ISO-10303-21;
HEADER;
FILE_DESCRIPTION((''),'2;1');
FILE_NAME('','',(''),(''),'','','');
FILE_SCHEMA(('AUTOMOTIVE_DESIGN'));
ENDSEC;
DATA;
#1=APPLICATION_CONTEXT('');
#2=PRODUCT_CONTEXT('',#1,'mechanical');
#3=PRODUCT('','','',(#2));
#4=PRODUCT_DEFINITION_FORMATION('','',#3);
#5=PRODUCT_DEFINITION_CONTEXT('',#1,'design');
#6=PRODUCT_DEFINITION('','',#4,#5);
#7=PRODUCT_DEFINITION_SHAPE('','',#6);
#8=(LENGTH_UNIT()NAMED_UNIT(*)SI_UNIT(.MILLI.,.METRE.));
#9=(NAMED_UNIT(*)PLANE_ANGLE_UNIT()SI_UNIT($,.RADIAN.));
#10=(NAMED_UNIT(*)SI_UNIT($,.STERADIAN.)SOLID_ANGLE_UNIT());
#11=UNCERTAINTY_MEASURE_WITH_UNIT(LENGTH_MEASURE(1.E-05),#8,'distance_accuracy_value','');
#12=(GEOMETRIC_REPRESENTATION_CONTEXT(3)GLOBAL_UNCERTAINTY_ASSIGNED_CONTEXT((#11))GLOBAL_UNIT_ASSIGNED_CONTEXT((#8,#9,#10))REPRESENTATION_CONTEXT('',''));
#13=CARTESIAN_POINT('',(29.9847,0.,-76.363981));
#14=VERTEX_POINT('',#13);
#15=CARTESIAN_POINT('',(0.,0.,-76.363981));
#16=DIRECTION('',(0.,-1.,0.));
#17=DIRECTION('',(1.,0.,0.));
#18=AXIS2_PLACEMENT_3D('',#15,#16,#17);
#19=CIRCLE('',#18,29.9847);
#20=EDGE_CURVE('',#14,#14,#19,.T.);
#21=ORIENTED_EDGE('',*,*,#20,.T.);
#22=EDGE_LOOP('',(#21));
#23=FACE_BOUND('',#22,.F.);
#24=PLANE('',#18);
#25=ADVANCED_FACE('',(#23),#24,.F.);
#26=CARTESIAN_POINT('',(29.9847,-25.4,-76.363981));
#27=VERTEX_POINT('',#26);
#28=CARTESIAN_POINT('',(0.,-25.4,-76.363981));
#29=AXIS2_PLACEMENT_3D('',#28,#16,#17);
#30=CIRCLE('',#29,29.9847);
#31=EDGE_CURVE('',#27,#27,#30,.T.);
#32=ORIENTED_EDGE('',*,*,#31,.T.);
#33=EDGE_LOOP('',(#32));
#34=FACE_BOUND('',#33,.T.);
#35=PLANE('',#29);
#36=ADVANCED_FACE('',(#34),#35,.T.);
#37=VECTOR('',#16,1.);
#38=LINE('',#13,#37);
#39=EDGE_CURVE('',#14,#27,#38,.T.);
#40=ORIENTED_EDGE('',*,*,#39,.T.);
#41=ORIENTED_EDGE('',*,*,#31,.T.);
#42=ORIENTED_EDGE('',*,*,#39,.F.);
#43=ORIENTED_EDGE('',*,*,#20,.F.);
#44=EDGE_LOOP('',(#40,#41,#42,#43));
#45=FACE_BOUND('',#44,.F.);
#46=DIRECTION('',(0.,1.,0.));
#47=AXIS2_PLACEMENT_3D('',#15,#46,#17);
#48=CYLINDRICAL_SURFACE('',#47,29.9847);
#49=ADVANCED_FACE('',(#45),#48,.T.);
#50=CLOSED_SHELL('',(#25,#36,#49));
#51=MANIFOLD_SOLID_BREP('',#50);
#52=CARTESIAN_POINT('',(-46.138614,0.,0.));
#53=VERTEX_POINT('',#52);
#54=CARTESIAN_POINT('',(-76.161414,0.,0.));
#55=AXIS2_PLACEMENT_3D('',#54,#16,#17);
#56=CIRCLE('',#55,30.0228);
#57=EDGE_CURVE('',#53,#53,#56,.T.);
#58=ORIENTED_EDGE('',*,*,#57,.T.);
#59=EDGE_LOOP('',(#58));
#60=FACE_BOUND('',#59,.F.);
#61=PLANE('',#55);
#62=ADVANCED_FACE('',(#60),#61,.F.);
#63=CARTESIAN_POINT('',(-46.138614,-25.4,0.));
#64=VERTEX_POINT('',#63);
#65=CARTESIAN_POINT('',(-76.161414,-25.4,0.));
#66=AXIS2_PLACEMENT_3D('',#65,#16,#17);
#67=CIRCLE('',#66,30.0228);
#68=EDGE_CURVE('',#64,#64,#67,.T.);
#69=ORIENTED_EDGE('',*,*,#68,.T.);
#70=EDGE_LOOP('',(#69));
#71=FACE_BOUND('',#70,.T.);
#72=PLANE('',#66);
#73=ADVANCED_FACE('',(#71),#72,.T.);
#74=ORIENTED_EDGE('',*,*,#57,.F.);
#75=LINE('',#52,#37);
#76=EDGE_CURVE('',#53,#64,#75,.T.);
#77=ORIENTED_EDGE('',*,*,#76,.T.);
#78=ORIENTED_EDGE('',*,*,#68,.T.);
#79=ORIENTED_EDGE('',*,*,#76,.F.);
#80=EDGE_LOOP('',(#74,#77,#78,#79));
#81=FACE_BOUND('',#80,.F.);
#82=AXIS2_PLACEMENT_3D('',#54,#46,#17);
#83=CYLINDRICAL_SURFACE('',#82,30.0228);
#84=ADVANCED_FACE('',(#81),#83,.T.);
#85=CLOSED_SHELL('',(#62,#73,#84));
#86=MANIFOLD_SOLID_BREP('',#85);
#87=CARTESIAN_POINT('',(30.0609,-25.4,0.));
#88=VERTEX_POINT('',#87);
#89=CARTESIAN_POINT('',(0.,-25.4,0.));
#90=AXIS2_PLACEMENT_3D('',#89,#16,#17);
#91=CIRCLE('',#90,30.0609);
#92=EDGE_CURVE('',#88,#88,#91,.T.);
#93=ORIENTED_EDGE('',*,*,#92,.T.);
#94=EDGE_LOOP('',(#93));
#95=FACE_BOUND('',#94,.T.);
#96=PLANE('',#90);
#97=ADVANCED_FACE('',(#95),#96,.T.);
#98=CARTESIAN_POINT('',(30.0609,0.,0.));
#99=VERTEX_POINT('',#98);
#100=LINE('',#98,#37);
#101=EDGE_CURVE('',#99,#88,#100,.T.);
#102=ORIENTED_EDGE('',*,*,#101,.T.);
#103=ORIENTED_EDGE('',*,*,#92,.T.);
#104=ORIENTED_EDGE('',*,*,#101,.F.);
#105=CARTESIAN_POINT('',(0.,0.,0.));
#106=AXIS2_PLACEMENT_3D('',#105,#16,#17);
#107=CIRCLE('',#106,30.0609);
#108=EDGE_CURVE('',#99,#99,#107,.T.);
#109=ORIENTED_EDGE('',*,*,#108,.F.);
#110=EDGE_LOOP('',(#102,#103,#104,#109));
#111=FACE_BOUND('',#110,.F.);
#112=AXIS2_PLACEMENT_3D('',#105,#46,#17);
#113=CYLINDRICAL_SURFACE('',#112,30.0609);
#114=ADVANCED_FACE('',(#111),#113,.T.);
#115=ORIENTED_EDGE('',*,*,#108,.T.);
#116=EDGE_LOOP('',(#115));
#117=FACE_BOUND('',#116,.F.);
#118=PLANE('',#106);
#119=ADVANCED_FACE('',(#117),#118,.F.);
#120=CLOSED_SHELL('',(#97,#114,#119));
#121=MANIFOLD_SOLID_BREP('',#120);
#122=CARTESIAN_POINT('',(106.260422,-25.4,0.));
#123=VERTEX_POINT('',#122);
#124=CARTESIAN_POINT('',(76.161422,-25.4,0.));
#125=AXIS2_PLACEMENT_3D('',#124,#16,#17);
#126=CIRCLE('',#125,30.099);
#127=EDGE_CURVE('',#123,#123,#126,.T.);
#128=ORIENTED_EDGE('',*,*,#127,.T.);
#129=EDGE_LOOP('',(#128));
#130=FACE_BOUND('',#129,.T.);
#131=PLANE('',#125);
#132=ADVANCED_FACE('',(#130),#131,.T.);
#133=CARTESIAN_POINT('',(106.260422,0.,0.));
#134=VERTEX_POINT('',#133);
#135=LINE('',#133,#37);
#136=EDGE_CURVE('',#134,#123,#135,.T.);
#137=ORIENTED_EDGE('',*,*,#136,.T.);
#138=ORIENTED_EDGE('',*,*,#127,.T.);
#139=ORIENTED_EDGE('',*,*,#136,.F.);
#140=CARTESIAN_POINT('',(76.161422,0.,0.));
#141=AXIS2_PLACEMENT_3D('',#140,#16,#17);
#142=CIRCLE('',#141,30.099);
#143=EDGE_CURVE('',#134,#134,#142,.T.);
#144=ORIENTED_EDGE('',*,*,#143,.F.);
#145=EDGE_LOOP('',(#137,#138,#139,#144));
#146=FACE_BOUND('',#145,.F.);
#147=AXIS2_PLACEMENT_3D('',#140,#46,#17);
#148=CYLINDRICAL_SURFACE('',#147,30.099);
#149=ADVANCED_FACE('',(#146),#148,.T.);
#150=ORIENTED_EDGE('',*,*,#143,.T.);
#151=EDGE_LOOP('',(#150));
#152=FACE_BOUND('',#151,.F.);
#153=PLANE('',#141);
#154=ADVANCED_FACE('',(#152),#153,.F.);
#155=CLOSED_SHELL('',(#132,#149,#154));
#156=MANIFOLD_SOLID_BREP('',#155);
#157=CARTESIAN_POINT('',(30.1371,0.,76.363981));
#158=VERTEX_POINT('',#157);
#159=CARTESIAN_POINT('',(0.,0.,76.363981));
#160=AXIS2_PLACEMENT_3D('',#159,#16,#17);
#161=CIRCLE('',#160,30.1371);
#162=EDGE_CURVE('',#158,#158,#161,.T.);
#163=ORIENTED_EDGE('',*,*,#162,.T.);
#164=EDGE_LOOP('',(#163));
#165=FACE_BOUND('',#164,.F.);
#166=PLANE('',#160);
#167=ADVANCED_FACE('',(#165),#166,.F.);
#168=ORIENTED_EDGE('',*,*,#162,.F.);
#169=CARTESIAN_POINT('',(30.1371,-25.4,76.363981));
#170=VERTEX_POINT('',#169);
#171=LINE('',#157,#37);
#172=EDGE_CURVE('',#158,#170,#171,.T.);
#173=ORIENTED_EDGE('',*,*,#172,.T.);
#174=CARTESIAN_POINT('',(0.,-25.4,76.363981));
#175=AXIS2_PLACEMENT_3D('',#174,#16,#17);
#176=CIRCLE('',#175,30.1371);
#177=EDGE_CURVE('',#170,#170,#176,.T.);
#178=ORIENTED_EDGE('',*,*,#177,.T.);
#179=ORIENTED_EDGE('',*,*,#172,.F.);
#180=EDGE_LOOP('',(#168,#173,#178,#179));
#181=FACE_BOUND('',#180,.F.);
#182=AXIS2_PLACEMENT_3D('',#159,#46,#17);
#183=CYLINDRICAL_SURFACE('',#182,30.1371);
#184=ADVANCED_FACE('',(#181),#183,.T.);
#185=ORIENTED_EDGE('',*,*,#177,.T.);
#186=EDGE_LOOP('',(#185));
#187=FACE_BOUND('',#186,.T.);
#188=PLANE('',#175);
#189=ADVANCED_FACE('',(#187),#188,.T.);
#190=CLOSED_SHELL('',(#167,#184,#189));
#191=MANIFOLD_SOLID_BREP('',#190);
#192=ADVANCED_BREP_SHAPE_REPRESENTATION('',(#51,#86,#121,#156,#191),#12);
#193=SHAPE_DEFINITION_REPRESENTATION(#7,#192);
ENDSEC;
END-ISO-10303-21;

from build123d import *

# Parameters (mm, degrees)
F0_R     = 30.0228
F0_R_2   = 30.0609
F0_R_3   = 30.1371
F0_R_4   = 30.099
F0_R_5   = 29.9847
F1_DEPTH = 25.4


with BuildPart() as f1:
    # F0 (on Front) → F1 (new body)
    with BuildSketch(Plane.XZ):
        with Locations((-76.161414, 0)):
            Circle(F0_R)
        Circle(F0_R_2)
        with Locations((0, 76.363981)):
            Circle(F0_R_3)
        with Locations((76.161422, 0)):
            Circle(F0_R_4)
        with Locations((0, -76.363981)):
            Circle(F0_R_5)
    extrude(amount=F1_DEPTH)


solid = f1.part
